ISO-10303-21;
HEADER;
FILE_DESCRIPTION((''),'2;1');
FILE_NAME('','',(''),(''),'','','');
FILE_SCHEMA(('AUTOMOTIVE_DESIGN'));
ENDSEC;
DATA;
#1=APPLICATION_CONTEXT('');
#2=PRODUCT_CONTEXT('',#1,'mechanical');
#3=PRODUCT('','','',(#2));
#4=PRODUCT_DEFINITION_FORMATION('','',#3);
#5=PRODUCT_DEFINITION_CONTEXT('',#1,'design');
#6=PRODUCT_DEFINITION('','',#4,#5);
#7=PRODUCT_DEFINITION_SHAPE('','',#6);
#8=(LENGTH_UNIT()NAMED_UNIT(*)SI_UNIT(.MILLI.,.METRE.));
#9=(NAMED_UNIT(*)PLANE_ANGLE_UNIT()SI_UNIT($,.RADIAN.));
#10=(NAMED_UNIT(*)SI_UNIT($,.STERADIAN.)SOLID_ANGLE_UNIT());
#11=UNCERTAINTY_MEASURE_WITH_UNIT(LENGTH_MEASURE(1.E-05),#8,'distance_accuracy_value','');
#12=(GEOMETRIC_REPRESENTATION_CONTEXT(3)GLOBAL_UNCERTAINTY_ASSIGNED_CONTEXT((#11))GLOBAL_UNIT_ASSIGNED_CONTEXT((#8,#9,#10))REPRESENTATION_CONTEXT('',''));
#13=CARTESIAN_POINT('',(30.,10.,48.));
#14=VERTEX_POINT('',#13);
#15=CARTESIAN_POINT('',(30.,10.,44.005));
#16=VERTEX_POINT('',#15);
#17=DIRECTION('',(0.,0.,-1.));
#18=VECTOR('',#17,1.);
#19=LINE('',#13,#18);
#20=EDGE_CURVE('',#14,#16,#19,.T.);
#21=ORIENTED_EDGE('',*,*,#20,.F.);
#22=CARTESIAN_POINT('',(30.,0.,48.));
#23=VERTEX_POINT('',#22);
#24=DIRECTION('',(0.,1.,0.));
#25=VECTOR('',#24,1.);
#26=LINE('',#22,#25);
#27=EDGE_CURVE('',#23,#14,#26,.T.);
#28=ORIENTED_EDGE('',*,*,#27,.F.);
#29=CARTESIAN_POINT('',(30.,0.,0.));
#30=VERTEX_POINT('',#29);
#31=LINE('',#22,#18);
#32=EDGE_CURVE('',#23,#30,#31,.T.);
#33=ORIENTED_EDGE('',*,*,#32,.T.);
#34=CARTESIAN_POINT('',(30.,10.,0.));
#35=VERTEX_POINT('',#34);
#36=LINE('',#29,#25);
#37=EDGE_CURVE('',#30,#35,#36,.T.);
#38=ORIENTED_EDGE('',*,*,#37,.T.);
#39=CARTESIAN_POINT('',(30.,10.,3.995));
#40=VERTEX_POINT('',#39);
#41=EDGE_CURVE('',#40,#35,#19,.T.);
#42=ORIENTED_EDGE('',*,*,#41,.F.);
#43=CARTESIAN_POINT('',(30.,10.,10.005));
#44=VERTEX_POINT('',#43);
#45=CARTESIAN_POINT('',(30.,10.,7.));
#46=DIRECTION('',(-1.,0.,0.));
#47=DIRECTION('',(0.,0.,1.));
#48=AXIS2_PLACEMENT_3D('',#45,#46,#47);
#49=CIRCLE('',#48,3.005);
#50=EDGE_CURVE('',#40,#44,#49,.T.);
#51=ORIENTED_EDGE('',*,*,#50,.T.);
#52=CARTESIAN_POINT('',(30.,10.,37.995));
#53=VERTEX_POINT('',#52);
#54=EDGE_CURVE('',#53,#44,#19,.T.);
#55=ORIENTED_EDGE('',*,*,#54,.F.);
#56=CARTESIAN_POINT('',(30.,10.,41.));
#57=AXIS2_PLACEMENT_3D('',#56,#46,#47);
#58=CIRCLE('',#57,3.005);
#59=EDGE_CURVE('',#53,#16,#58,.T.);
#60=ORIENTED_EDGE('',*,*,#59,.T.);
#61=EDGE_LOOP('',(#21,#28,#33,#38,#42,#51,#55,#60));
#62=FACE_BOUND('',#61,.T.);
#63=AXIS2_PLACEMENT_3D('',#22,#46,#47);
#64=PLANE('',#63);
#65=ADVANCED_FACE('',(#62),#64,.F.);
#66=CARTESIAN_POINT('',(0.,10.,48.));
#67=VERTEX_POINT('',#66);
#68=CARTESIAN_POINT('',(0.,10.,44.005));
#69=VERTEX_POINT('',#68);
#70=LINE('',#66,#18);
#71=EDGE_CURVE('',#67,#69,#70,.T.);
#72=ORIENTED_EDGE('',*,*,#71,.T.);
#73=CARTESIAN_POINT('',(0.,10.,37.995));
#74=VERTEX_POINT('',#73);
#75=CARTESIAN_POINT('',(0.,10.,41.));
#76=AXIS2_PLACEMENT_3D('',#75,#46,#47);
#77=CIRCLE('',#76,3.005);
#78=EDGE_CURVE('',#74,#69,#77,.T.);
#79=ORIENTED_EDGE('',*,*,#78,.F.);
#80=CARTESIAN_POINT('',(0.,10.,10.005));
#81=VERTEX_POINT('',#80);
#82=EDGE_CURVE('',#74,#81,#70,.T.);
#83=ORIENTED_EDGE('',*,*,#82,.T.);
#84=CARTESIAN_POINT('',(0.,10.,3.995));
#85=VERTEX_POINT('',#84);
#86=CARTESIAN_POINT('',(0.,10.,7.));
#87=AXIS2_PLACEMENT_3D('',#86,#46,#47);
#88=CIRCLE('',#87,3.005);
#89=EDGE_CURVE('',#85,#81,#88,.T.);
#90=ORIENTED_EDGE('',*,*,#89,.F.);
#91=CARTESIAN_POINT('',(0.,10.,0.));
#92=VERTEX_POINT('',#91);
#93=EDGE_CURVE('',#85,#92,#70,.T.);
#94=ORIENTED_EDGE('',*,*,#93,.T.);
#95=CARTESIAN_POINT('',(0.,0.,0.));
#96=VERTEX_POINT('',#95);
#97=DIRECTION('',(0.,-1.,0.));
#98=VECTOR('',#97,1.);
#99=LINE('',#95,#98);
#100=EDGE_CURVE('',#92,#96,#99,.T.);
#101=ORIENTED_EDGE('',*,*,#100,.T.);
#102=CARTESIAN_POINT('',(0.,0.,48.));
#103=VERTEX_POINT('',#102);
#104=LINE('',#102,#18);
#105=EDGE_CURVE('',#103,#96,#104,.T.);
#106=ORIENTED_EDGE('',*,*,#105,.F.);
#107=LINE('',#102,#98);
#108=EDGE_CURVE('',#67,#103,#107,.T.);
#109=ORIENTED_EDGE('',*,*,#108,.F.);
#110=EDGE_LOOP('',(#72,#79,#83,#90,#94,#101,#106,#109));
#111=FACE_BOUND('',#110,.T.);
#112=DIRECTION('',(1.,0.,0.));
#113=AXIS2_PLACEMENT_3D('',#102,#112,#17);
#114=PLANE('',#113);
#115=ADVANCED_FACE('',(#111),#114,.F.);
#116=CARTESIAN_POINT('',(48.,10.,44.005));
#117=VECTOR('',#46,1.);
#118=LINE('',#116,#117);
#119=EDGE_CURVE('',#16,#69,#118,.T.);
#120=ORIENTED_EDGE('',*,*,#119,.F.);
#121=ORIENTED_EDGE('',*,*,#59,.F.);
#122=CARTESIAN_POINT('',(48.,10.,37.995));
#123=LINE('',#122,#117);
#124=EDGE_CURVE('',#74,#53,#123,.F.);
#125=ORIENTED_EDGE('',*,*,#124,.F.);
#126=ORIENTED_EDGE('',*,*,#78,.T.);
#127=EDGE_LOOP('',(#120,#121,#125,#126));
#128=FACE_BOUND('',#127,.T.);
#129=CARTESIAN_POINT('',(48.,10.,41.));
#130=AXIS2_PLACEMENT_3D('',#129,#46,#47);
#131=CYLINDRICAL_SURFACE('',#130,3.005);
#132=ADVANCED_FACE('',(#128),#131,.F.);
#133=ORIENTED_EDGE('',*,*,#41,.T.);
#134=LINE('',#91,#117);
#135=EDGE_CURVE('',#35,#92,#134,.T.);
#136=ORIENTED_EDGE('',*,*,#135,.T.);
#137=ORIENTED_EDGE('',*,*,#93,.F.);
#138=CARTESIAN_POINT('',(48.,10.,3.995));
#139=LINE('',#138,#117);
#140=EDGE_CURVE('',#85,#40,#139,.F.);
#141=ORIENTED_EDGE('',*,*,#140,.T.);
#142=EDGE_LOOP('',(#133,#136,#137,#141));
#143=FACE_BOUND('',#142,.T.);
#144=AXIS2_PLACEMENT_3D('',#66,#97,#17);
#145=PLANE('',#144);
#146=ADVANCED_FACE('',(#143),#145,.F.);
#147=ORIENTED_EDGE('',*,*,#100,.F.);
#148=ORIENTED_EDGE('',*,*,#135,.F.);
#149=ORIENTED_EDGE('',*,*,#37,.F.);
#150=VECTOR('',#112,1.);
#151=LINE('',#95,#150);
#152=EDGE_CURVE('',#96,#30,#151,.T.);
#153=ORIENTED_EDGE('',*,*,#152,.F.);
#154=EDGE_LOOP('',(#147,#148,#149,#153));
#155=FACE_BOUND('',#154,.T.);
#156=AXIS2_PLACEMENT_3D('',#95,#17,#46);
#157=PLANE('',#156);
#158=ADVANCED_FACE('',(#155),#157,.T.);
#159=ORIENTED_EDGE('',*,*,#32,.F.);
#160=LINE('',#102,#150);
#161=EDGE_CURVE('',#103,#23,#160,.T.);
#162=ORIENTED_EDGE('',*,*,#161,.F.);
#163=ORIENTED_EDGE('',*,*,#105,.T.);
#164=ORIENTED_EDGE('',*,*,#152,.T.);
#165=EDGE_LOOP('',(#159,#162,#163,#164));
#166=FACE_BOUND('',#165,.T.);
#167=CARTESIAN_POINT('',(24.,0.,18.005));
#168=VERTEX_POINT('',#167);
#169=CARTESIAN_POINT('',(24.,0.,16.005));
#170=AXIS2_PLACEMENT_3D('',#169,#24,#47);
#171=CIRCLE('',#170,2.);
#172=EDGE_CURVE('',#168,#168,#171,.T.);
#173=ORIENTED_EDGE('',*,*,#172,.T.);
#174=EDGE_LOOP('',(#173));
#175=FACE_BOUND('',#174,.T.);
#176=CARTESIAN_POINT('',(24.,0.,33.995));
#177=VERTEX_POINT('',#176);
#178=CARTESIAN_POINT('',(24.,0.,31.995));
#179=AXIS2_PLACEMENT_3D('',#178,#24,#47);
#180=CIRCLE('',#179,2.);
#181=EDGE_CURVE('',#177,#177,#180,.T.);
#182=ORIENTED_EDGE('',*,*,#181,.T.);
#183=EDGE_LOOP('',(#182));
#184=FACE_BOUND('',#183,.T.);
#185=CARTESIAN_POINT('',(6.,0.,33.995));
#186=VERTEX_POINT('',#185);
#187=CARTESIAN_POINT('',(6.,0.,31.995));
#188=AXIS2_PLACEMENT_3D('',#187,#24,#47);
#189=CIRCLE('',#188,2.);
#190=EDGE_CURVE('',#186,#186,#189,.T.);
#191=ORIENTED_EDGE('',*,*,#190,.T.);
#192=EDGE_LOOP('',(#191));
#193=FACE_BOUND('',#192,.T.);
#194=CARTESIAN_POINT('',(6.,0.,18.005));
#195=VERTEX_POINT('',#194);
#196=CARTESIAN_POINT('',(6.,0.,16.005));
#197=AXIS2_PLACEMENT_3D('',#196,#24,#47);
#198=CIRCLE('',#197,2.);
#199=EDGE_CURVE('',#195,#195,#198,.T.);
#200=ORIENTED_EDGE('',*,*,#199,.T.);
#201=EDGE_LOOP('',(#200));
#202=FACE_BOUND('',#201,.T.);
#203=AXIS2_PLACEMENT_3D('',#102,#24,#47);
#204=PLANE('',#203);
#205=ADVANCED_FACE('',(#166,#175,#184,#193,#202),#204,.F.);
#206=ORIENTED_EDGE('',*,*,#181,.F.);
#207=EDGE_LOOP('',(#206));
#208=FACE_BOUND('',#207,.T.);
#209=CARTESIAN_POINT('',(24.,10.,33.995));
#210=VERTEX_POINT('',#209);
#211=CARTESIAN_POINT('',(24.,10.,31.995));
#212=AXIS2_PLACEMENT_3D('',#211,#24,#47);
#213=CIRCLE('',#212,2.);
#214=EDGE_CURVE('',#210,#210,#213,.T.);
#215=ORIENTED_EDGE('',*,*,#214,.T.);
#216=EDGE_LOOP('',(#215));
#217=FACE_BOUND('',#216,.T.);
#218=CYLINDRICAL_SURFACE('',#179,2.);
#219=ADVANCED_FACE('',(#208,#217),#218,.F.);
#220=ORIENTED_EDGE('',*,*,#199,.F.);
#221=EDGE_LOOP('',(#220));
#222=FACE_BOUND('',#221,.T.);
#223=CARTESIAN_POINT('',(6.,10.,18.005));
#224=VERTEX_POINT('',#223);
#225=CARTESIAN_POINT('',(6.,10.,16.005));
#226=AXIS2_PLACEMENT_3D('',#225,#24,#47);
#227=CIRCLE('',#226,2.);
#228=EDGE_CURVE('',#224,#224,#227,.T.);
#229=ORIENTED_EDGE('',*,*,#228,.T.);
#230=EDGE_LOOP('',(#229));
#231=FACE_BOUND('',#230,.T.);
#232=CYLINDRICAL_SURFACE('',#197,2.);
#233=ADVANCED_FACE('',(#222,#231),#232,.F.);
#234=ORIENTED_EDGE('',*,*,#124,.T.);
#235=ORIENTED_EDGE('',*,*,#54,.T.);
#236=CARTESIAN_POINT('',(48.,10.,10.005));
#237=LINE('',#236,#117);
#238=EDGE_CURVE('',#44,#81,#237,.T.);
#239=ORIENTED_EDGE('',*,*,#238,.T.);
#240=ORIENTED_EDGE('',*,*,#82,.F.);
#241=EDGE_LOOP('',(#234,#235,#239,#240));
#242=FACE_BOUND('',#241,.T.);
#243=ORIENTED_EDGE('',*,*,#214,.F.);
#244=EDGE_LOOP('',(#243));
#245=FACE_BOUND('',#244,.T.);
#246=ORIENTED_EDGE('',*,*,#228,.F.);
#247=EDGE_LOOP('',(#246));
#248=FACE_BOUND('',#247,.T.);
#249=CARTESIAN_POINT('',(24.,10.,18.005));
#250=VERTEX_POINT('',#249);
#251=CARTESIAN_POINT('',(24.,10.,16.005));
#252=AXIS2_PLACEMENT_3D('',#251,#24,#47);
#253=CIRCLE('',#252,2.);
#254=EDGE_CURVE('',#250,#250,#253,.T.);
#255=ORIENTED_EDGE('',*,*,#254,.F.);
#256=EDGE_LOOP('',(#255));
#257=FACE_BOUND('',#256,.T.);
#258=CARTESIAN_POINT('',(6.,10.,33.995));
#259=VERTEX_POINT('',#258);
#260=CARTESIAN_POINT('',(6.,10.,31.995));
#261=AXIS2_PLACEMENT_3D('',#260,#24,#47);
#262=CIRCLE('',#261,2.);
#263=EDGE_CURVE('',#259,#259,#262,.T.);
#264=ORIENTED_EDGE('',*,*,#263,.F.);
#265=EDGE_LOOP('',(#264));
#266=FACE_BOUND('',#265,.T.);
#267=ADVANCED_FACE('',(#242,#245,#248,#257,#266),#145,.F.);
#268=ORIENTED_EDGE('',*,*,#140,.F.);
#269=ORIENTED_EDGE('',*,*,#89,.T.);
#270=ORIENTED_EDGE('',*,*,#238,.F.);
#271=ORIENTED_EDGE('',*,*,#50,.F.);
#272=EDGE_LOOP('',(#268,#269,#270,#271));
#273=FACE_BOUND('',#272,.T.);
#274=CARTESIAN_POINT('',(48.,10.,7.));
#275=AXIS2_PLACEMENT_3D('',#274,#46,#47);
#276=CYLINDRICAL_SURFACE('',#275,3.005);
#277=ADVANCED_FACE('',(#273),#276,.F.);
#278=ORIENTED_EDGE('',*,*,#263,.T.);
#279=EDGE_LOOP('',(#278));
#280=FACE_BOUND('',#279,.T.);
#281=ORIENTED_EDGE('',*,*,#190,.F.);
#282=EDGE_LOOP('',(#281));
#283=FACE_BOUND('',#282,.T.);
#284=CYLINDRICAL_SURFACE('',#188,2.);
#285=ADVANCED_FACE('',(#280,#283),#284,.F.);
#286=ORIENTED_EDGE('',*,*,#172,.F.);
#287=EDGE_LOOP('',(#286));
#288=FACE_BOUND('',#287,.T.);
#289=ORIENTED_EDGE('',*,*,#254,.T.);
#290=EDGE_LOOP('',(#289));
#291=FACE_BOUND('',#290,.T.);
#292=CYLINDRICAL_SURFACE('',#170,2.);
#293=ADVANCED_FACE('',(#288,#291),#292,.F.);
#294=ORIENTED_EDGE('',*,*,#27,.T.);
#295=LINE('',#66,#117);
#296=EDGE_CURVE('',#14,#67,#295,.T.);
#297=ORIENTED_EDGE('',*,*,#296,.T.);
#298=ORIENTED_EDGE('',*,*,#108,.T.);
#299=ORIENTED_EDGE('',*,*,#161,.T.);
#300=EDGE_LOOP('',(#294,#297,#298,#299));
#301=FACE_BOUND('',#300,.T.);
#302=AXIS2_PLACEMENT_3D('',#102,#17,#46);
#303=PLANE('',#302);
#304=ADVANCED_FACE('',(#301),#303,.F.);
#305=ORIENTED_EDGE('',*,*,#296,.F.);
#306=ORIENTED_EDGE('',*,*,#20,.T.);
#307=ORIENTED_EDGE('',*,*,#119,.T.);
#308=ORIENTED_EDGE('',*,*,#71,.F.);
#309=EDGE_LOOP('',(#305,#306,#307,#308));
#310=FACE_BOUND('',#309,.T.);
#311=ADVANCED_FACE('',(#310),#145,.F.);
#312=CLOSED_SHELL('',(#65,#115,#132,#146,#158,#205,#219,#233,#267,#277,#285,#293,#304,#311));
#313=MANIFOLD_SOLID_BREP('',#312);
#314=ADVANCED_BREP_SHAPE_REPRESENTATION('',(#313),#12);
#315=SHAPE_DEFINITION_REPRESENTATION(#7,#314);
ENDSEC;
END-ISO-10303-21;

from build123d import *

# Parameters (mm, degrees)
SKETCH_1_W          = 30
SKETCH_1_H          = 10
EXTRUDE_1_DEPTH     = 48
SKETCH_3_R          = 3.005
CUT_EXTRUDE_1_DEPTH = 48
SKETCH_4_R          = 2
CUT_EXTRUDE_2_DEPTH = 58.480431453


with BuildPart() as part:
    # 草图1 → 凸台-拉伸1 (new body)
    with BuildSketch(Plane.XY):
        with Locations((15, 5)):
            Rectangle(SKETCH_1_W, SKETCH_1_H)
    extrude(amount=EXTRUDE_1_DEPTH)

    # 草图3 → 切除-拉伸1 (cut)
    with BuildSketch(Plane.ZY):
        with Locations((7, 10)):
            Circle(SKETCH_3_R)
        with Locations((41, 10)):
            Circle(SKETCH_3_R)
    extrude(amount=-CUT_EXTRUDE_1_DEPTH, mode=Mode.SUBTRACT)

    # 草图4 → 切除-拉伸2 (cut, through all)
    with BuildSketch(Plane(origin=(0, 10, 0), x_dir=(1, 0, 0), z_dir=(0, 1, 0))):
        with Locations(Location((24, -31.995, 0), (0, 0, 270))):
            Circle(SKETCH_4_R)
        with Locations(Location((6, -31.995, 0), (0, 0, 270))):
            Circle(SKETCH_4_R)
        with Locations(Location((24, -16.005, 0), (0, 0, 270))):
            Circle(SKETCH_4_R)
        with Locations(Location((6, -16.005, 0), (0, 0, 270))):
            Circle(SKETCH_4_R)
    extrude(amount=-CUT_EXTRUDE_2_DEPTH, mode=Mode.SUBTRACT)


solid = part.part
